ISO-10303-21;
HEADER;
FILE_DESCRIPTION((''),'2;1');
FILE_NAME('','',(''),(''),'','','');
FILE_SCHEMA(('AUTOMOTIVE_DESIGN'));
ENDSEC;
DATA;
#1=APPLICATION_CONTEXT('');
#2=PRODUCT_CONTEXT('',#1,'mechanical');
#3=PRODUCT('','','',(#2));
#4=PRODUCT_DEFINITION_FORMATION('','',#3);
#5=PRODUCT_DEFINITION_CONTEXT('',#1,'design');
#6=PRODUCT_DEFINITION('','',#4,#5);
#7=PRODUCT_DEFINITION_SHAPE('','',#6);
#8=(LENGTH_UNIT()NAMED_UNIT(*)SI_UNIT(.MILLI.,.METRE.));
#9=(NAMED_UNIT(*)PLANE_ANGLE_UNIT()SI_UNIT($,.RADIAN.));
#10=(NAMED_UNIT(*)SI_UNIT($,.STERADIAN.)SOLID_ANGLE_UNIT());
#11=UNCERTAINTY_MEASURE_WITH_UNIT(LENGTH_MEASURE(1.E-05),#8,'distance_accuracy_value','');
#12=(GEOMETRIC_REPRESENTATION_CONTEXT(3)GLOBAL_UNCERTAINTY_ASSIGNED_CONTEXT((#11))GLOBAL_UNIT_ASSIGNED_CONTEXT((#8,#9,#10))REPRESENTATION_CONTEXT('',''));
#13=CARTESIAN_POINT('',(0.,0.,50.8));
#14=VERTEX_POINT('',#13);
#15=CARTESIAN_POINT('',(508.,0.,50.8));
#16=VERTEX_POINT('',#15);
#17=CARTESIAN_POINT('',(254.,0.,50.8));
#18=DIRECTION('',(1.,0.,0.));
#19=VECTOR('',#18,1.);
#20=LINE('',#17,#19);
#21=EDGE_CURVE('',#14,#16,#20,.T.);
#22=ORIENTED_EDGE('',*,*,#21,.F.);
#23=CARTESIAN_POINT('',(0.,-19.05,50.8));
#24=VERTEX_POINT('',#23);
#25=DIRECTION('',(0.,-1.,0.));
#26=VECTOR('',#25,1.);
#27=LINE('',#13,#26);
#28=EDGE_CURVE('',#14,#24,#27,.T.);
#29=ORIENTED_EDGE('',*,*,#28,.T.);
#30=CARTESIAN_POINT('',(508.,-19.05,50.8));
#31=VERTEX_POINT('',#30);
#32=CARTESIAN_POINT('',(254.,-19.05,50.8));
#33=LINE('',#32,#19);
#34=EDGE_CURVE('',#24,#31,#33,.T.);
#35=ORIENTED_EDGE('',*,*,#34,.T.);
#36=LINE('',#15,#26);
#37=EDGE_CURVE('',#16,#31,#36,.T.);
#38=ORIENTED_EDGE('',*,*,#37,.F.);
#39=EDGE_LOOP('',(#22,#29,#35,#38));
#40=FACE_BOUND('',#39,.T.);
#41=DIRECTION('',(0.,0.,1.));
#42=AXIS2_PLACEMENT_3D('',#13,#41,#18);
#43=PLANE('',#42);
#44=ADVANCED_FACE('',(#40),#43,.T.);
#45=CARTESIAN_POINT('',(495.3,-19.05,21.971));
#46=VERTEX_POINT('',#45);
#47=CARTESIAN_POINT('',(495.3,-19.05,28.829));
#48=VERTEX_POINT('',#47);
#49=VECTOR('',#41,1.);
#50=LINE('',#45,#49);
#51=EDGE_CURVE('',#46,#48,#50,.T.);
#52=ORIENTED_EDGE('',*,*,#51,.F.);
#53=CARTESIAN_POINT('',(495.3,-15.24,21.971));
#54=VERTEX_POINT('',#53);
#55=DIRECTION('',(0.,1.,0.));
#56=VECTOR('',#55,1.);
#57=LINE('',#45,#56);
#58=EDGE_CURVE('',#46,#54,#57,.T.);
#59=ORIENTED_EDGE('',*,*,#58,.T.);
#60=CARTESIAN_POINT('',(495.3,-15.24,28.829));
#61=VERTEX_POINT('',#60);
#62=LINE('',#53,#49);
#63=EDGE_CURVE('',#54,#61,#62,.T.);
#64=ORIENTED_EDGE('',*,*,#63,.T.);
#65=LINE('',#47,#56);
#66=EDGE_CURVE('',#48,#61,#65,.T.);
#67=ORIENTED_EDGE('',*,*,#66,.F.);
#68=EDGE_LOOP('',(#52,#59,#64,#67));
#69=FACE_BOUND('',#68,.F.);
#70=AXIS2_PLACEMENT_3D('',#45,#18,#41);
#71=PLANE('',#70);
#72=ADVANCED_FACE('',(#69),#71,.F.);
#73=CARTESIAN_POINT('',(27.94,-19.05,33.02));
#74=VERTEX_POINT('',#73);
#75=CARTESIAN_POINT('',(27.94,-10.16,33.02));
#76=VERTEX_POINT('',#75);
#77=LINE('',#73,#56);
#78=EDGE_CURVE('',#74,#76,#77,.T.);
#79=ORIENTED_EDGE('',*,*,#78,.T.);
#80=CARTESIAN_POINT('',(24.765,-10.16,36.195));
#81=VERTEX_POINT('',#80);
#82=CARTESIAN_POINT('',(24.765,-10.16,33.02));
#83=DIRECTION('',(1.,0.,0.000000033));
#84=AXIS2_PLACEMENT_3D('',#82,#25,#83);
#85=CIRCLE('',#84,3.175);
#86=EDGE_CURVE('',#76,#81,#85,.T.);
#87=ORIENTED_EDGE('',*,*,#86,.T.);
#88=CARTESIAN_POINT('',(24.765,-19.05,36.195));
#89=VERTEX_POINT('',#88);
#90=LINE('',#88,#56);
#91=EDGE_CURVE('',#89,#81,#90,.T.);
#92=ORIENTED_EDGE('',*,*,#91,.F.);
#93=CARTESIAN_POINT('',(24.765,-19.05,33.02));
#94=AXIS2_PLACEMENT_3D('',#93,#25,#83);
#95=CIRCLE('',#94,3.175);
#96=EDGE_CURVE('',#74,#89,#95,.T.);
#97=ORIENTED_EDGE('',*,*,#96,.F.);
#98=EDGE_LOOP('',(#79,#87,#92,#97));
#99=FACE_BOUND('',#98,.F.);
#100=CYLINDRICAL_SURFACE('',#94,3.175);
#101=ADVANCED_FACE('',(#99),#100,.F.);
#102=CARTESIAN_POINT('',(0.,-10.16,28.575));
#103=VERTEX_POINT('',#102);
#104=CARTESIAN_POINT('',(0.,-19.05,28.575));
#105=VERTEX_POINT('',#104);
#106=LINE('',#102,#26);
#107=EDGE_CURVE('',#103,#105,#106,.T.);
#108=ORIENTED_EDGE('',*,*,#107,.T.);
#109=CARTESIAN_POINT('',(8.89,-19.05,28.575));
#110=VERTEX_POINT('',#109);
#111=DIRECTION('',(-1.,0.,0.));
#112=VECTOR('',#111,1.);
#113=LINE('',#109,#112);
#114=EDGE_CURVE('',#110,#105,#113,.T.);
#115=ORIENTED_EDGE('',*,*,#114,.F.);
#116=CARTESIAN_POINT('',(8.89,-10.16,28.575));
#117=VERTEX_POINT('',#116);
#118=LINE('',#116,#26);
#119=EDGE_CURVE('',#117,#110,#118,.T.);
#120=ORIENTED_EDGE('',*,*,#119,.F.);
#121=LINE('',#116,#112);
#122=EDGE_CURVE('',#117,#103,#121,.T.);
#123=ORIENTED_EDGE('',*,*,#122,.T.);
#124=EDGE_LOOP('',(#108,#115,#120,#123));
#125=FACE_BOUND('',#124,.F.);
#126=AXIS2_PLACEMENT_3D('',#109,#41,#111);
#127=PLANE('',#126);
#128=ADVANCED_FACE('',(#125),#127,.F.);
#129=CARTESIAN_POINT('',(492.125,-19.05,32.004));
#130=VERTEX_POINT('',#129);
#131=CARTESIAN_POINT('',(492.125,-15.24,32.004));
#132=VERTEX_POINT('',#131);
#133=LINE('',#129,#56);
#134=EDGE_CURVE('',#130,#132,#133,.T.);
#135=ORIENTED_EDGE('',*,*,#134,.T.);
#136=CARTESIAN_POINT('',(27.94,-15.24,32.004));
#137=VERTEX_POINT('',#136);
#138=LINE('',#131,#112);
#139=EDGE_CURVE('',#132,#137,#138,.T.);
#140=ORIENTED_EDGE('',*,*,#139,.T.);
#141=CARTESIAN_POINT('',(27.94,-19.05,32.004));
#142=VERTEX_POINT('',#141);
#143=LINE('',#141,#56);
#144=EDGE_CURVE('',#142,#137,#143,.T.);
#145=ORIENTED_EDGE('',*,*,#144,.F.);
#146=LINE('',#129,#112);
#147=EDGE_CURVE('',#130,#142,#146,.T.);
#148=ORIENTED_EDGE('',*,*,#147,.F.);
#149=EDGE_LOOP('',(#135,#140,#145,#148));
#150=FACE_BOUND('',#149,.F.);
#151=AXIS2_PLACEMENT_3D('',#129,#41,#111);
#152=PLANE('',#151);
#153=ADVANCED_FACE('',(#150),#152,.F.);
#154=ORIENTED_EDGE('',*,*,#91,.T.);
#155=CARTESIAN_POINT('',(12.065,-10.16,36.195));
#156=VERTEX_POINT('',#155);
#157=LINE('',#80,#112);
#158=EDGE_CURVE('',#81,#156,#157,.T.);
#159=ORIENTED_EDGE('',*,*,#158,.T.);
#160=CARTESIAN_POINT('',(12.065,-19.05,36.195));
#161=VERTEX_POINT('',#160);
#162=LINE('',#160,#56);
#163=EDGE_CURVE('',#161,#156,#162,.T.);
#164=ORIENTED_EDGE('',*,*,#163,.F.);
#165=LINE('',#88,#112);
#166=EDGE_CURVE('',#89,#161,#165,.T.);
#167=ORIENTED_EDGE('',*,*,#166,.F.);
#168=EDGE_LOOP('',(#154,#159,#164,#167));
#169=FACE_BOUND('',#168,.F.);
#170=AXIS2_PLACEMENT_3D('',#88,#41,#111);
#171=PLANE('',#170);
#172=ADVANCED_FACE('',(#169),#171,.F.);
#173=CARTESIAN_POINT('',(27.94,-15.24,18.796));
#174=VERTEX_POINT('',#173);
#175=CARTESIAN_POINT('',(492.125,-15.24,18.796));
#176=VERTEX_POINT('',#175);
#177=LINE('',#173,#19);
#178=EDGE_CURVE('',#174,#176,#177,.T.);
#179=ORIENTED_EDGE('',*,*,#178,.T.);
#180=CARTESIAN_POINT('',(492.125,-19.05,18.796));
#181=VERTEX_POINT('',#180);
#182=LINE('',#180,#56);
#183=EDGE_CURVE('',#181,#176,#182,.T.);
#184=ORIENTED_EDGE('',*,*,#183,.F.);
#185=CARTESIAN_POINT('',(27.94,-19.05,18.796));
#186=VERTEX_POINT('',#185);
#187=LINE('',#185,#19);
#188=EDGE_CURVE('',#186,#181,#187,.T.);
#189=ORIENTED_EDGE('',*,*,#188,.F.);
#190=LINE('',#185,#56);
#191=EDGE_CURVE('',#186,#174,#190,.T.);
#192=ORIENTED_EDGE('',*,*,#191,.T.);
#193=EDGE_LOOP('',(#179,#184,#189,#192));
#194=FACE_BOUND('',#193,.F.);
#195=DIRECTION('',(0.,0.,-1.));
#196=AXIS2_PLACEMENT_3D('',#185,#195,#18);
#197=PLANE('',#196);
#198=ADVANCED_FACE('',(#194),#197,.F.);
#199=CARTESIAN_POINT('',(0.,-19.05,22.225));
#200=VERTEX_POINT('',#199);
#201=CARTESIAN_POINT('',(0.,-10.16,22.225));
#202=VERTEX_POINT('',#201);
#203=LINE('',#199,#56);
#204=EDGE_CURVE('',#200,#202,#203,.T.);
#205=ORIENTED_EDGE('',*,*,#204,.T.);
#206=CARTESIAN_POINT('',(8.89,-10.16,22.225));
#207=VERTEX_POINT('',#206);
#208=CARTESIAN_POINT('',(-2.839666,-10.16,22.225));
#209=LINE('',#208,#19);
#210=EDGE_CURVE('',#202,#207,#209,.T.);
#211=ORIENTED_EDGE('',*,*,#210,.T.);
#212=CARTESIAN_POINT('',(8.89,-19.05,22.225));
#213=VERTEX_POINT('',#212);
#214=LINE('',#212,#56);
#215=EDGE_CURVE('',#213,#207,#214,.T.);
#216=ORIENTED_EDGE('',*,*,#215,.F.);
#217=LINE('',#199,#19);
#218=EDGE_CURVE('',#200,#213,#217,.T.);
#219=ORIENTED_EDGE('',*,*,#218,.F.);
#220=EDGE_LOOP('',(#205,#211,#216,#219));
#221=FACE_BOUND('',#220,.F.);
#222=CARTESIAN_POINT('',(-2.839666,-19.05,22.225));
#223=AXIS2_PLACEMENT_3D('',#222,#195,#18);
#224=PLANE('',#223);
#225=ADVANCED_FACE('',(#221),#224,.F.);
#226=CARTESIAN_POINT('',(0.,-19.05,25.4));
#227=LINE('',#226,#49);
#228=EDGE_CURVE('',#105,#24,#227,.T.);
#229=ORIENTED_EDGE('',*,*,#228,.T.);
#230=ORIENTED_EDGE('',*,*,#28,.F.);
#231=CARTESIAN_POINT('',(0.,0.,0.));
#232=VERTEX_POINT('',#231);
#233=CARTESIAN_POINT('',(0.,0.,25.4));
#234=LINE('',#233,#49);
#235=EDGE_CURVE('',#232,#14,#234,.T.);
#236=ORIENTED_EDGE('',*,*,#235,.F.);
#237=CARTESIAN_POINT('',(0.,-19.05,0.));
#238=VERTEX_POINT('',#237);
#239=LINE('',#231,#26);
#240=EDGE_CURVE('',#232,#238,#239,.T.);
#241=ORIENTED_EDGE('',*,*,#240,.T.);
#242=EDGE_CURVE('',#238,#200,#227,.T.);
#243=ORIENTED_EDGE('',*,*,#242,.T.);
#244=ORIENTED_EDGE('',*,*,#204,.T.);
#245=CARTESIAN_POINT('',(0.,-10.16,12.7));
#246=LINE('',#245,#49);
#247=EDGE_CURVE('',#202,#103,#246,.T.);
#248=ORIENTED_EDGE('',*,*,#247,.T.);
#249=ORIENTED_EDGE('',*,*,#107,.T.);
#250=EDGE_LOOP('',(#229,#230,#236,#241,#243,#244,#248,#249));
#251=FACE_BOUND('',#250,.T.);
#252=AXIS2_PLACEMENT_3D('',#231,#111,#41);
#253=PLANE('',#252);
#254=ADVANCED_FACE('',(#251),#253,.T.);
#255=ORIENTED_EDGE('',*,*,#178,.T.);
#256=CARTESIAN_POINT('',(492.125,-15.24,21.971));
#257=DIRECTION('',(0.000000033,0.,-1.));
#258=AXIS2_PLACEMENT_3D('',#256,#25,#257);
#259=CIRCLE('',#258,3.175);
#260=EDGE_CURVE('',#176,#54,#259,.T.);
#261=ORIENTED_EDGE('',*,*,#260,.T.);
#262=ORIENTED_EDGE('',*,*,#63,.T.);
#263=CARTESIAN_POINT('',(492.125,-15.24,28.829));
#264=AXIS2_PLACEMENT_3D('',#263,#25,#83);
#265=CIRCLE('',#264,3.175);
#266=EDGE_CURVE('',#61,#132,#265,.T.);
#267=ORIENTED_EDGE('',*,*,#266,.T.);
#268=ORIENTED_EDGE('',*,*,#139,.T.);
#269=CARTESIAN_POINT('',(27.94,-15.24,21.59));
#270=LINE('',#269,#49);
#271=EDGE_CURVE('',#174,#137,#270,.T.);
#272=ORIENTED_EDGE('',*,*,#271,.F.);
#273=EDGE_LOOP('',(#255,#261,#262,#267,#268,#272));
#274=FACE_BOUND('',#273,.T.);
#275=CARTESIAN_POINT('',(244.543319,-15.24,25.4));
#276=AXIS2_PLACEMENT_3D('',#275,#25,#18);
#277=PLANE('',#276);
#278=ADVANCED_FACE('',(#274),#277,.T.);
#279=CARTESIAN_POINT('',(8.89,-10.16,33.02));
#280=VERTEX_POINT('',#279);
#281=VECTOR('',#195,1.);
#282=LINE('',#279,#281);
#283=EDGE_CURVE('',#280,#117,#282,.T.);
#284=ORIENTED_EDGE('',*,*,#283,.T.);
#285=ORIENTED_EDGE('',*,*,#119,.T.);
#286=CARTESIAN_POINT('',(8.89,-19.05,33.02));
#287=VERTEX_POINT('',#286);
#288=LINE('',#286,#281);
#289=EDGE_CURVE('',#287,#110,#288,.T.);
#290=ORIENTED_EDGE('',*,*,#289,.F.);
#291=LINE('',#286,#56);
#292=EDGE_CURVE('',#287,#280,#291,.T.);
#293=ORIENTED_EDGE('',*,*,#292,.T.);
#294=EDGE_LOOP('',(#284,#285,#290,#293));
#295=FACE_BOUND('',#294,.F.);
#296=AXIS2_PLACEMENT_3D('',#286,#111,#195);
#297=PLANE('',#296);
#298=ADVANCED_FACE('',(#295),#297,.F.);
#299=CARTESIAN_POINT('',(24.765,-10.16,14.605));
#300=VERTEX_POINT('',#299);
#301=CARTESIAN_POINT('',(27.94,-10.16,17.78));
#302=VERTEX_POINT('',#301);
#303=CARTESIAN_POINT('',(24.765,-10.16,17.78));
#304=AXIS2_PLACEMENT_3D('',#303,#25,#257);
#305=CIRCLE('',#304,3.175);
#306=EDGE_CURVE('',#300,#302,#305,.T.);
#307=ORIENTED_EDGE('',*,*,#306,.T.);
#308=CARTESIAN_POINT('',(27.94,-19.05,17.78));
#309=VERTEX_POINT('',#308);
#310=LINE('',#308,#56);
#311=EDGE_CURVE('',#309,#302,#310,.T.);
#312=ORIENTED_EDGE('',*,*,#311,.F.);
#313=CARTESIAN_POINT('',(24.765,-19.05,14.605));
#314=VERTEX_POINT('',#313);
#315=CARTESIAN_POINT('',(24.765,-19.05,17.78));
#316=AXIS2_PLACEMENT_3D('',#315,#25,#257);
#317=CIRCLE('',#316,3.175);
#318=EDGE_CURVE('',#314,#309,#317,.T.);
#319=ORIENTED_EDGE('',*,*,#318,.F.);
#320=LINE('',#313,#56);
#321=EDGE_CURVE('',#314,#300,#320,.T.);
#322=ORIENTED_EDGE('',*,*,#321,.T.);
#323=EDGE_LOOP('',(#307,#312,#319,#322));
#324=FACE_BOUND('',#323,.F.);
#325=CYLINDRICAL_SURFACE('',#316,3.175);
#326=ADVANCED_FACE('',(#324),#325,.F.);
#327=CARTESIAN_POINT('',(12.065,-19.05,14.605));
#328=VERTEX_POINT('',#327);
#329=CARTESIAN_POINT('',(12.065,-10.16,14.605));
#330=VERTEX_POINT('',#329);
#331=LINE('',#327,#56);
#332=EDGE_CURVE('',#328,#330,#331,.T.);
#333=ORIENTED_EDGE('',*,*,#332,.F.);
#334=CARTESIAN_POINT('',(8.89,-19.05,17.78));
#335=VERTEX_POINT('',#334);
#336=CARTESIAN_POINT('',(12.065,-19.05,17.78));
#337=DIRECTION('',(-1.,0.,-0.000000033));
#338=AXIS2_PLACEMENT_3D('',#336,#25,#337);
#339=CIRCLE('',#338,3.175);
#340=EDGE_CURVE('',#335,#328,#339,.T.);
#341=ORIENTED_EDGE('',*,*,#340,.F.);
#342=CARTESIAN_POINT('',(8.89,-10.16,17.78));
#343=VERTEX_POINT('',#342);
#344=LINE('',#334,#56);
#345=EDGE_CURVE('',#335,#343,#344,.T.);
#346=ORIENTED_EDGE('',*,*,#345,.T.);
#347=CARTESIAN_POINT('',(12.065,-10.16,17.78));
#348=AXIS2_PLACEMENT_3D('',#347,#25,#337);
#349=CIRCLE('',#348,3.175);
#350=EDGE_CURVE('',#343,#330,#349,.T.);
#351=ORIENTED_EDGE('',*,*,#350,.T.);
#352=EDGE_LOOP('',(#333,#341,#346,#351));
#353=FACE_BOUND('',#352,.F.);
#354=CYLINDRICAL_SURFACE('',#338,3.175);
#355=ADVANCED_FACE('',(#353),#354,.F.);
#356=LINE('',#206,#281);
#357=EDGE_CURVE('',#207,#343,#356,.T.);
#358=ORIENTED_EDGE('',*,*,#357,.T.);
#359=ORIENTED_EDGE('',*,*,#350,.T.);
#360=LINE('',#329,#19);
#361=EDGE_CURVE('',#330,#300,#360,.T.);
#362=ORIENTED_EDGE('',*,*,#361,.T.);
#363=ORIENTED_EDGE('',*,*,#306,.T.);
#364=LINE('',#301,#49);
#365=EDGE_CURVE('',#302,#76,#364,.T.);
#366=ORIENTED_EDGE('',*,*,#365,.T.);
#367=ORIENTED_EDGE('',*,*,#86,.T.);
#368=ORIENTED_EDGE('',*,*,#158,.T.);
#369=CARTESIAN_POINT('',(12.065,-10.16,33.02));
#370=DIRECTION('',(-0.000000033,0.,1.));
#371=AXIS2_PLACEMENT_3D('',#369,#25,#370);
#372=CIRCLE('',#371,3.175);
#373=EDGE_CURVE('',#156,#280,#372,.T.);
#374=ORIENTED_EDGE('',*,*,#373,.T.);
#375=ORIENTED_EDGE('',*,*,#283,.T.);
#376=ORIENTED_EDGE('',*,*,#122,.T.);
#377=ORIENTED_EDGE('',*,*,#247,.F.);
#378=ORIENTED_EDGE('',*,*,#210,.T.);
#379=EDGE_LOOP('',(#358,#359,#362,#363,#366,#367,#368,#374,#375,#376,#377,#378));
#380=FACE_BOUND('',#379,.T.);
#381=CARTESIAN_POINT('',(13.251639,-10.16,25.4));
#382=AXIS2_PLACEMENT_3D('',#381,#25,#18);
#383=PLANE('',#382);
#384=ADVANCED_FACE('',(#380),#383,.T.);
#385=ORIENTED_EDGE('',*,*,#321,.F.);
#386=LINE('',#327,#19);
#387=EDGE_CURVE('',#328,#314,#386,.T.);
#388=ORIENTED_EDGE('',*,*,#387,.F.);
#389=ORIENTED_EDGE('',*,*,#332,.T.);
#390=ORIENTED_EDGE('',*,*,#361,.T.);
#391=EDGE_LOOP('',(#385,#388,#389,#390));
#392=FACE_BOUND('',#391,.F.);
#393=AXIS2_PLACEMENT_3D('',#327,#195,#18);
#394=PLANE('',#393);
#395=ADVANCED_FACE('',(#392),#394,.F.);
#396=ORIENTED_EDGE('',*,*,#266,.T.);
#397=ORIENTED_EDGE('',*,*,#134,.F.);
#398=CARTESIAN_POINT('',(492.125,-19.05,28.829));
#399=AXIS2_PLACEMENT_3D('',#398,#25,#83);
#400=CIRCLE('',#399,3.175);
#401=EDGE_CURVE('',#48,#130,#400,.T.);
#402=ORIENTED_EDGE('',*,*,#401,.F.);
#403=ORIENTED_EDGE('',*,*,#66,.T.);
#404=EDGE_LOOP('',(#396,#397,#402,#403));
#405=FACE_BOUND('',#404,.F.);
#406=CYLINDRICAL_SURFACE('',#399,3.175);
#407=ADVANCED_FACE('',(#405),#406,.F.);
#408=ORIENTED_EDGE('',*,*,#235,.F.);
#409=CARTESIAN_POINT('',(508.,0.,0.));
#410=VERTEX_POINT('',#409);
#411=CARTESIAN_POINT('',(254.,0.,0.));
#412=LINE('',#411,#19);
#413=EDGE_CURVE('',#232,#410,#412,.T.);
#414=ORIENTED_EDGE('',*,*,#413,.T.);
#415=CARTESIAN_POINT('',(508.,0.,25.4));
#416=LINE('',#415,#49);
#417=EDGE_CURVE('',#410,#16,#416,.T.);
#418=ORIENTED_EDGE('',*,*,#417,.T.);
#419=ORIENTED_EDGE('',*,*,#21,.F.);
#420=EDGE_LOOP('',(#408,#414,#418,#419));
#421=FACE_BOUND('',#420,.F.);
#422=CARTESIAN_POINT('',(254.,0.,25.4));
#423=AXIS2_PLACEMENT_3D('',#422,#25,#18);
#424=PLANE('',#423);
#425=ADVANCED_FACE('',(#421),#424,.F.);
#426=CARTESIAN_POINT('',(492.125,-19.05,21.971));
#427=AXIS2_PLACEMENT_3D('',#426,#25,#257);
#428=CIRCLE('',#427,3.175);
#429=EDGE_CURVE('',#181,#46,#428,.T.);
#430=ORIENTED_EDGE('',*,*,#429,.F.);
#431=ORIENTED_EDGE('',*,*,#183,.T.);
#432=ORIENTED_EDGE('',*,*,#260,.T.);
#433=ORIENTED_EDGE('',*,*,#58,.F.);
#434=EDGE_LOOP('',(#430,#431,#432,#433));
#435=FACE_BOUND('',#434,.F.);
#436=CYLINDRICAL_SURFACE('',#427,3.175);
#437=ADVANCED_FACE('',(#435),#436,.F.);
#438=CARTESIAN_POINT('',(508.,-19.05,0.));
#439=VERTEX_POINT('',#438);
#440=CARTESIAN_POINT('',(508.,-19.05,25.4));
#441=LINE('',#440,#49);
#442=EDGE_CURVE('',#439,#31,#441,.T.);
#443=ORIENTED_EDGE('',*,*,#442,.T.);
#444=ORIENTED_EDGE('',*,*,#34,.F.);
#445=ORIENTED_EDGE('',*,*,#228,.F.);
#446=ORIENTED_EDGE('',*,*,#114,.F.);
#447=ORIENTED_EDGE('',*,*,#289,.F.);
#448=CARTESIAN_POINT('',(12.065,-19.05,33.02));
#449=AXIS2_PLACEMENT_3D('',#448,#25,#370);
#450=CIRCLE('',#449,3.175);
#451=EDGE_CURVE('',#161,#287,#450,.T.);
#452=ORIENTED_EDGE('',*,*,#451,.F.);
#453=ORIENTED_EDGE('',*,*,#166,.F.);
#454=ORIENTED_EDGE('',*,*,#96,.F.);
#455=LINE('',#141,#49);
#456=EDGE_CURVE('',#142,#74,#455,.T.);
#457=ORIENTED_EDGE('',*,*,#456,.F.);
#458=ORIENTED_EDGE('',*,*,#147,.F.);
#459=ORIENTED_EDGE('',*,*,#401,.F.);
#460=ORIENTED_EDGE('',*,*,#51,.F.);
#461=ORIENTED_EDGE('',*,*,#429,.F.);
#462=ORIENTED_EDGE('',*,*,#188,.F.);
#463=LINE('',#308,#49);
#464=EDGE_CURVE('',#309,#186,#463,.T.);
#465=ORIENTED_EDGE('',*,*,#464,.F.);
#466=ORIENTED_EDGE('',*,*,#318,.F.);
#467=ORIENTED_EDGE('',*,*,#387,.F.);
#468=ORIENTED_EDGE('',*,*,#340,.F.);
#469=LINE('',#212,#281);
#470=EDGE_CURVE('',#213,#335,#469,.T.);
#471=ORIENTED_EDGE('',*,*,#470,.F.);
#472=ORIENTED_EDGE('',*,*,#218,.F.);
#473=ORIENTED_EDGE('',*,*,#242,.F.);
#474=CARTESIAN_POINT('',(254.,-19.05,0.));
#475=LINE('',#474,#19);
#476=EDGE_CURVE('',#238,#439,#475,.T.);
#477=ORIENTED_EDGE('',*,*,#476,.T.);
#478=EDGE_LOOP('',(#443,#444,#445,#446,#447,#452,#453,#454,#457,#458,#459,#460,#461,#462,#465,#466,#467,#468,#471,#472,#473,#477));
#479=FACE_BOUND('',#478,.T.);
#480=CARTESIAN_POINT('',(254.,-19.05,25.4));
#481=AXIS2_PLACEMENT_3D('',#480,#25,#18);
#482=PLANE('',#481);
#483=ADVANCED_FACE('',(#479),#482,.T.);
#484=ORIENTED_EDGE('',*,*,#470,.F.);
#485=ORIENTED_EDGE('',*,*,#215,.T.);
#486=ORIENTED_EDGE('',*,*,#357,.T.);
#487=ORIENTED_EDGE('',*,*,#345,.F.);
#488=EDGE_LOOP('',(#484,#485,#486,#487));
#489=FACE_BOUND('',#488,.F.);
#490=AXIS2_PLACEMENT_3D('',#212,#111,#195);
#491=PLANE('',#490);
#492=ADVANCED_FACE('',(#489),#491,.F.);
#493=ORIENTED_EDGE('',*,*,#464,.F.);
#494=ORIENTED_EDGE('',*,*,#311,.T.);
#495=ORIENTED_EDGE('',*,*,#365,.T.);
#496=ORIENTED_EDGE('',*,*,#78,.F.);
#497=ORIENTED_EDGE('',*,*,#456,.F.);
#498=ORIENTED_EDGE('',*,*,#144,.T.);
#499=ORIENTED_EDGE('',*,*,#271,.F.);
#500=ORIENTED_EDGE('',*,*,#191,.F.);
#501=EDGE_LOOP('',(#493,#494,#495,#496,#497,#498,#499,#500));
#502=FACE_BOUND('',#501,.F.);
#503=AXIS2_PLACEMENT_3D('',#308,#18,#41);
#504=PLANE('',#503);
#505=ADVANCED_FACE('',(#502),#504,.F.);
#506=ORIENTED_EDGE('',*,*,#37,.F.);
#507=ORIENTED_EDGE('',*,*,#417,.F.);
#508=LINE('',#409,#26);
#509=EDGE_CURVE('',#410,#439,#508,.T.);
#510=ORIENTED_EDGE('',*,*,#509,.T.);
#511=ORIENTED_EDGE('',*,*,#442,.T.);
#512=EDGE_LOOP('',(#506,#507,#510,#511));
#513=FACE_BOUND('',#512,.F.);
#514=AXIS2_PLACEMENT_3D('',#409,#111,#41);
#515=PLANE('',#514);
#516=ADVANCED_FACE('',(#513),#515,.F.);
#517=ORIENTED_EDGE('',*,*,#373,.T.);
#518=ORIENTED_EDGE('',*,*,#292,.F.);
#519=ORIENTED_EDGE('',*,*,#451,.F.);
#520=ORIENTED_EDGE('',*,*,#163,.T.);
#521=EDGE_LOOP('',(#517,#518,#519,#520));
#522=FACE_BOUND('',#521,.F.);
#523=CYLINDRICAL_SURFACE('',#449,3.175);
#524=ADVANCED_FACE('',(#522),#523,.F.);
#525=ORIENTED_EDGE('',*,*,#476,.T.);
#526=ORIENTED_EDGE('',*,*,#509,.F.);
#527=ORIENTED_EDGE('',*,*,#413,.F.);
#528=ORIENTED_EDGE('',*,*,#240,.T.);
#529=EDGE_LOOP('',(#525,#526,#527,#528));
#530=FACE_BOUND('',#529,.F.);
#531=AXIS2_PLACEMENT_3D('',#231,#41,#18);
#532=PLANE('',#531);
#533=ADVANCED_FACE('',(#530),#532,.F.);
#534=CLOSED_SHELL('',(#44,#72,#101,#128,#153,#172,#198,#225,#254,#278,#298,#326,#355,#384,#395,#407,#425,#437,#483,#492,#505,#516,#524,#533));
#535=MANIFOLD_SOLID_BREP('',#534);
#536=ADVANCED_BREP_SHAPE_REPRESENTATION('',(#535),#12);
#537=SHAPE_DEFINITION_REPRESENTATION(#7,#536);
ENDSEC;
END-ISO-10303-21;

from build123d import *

# Parameters (mm, degrees)
F0_W     = 508
F0_H     = 50.8
F1_DEPTH = 19.05
F3_DEPTH = 3.81
F5_DEPTH = 8.89


with BuildPart() as f1:
    # F0 (on Front) → F1 (new body)
    with BuildSketch(Plane.XZ):
        with Locations((254, 25.4)):
            Rectangle(F0_W, F0_H)
    extrude(amount=F1_DEPTH)

    # F2 (on face) → F3 (cut)
    with BuildSketch(Plane.XZ.offset(19.05)):
        with BuildLine():
            Line((492.125, 32.004), (27.94, 32.004))
            Line((27.94, 32.004), (27.94, 33.02))
            ThreePointArc((27.94, 33.02), (27.010064, 35.265064), (24.765, 36.195))
            Line((24.765, 36.195), (12.065, 36.195))
            ThreePointArc((12.065, 36.195), (9.819936, 35.265064), (8.89, 33.02))
            Line((8.89, 33.02), (8.89, 28.575))
            Line((8.89, 28.575), (0, 28.575))
            Line((0, 28.575), (0, 22.225))
            Line((0, 22.225), (8.89, 22.225))
            Line((8.89, 22.225), (8.89, 17.78))
            ThreePointArc((8.89, 17.78), (9.819936, 15.534936), (12.065, 14.605))
            Line((12.065, 14.605), (24.765, 14.605))
            ThreePointArc((24.765, 14.605), (27.010064, 15.534936), (27.94, 17.78))
            Line((27.94, 17.78), (27.94, 18.796))
            Line((27.94, 18.796), (492.125, 18.796))
            ThreePointArc((492.125, 18.796), (494.370064, 19.725936), (495.3, 21.971))
            Line((495.3, 21.971), (495.3, 28.829))
            ThreePointArc((495.3, 28.829), (494.370064, 31.074064), (492.125, 32.004))
        make_face()
    extrude(amount=-F3_DEPTH, mode=Mode.SUBTRACT)

    # F4 (on face) → F5 (cut)
    with BuildSketch(Plane.XZ.offset(19.05)):
        with BuildLine():
            Line((12.065, 14.605), (24.765, 14.605))
            ThreePointArc((24.765, 14.605), (27.010064, 15.534936), (27.94, 17.78))
            Line((27.94, 17.78), (27.94, 33.02))
            ThreePointArc((27.94, 33.02), (27.010064, 35.265064), (24.765, 36.195))
            Line((24.765, 36.195), (12.065, 36.195))
            ThreePointArc((12.065, 36.195), (9.819936, 35.265064), (8.89, 33.02))
            Line((8.89, 33.02), (8.89, 28.575))
            Line((8.89, 28.575), (-2.839666, 28.575))
            ThreePointArc((-2.839666, 28.575), (-5.08473, 27.645064), (-6.014666, 25.4))
            ThreePointArc((-6.014666, 25.4), (-5.08473, 23.154936), (-2.839666, 22.225))
            Line((-2.839666, 22.225), (8.89, 22.225))
            Line((8.89, 22.225), (8.89, 17.78))
            ThreePointArc((8.89, 17.78), (9.819936, 15.534936), (12.065, 14.605))
        make_face()
    extrude(amount=-F5_DEPTH, mode=Mode.SUBTRACT)


solid = f1.part
